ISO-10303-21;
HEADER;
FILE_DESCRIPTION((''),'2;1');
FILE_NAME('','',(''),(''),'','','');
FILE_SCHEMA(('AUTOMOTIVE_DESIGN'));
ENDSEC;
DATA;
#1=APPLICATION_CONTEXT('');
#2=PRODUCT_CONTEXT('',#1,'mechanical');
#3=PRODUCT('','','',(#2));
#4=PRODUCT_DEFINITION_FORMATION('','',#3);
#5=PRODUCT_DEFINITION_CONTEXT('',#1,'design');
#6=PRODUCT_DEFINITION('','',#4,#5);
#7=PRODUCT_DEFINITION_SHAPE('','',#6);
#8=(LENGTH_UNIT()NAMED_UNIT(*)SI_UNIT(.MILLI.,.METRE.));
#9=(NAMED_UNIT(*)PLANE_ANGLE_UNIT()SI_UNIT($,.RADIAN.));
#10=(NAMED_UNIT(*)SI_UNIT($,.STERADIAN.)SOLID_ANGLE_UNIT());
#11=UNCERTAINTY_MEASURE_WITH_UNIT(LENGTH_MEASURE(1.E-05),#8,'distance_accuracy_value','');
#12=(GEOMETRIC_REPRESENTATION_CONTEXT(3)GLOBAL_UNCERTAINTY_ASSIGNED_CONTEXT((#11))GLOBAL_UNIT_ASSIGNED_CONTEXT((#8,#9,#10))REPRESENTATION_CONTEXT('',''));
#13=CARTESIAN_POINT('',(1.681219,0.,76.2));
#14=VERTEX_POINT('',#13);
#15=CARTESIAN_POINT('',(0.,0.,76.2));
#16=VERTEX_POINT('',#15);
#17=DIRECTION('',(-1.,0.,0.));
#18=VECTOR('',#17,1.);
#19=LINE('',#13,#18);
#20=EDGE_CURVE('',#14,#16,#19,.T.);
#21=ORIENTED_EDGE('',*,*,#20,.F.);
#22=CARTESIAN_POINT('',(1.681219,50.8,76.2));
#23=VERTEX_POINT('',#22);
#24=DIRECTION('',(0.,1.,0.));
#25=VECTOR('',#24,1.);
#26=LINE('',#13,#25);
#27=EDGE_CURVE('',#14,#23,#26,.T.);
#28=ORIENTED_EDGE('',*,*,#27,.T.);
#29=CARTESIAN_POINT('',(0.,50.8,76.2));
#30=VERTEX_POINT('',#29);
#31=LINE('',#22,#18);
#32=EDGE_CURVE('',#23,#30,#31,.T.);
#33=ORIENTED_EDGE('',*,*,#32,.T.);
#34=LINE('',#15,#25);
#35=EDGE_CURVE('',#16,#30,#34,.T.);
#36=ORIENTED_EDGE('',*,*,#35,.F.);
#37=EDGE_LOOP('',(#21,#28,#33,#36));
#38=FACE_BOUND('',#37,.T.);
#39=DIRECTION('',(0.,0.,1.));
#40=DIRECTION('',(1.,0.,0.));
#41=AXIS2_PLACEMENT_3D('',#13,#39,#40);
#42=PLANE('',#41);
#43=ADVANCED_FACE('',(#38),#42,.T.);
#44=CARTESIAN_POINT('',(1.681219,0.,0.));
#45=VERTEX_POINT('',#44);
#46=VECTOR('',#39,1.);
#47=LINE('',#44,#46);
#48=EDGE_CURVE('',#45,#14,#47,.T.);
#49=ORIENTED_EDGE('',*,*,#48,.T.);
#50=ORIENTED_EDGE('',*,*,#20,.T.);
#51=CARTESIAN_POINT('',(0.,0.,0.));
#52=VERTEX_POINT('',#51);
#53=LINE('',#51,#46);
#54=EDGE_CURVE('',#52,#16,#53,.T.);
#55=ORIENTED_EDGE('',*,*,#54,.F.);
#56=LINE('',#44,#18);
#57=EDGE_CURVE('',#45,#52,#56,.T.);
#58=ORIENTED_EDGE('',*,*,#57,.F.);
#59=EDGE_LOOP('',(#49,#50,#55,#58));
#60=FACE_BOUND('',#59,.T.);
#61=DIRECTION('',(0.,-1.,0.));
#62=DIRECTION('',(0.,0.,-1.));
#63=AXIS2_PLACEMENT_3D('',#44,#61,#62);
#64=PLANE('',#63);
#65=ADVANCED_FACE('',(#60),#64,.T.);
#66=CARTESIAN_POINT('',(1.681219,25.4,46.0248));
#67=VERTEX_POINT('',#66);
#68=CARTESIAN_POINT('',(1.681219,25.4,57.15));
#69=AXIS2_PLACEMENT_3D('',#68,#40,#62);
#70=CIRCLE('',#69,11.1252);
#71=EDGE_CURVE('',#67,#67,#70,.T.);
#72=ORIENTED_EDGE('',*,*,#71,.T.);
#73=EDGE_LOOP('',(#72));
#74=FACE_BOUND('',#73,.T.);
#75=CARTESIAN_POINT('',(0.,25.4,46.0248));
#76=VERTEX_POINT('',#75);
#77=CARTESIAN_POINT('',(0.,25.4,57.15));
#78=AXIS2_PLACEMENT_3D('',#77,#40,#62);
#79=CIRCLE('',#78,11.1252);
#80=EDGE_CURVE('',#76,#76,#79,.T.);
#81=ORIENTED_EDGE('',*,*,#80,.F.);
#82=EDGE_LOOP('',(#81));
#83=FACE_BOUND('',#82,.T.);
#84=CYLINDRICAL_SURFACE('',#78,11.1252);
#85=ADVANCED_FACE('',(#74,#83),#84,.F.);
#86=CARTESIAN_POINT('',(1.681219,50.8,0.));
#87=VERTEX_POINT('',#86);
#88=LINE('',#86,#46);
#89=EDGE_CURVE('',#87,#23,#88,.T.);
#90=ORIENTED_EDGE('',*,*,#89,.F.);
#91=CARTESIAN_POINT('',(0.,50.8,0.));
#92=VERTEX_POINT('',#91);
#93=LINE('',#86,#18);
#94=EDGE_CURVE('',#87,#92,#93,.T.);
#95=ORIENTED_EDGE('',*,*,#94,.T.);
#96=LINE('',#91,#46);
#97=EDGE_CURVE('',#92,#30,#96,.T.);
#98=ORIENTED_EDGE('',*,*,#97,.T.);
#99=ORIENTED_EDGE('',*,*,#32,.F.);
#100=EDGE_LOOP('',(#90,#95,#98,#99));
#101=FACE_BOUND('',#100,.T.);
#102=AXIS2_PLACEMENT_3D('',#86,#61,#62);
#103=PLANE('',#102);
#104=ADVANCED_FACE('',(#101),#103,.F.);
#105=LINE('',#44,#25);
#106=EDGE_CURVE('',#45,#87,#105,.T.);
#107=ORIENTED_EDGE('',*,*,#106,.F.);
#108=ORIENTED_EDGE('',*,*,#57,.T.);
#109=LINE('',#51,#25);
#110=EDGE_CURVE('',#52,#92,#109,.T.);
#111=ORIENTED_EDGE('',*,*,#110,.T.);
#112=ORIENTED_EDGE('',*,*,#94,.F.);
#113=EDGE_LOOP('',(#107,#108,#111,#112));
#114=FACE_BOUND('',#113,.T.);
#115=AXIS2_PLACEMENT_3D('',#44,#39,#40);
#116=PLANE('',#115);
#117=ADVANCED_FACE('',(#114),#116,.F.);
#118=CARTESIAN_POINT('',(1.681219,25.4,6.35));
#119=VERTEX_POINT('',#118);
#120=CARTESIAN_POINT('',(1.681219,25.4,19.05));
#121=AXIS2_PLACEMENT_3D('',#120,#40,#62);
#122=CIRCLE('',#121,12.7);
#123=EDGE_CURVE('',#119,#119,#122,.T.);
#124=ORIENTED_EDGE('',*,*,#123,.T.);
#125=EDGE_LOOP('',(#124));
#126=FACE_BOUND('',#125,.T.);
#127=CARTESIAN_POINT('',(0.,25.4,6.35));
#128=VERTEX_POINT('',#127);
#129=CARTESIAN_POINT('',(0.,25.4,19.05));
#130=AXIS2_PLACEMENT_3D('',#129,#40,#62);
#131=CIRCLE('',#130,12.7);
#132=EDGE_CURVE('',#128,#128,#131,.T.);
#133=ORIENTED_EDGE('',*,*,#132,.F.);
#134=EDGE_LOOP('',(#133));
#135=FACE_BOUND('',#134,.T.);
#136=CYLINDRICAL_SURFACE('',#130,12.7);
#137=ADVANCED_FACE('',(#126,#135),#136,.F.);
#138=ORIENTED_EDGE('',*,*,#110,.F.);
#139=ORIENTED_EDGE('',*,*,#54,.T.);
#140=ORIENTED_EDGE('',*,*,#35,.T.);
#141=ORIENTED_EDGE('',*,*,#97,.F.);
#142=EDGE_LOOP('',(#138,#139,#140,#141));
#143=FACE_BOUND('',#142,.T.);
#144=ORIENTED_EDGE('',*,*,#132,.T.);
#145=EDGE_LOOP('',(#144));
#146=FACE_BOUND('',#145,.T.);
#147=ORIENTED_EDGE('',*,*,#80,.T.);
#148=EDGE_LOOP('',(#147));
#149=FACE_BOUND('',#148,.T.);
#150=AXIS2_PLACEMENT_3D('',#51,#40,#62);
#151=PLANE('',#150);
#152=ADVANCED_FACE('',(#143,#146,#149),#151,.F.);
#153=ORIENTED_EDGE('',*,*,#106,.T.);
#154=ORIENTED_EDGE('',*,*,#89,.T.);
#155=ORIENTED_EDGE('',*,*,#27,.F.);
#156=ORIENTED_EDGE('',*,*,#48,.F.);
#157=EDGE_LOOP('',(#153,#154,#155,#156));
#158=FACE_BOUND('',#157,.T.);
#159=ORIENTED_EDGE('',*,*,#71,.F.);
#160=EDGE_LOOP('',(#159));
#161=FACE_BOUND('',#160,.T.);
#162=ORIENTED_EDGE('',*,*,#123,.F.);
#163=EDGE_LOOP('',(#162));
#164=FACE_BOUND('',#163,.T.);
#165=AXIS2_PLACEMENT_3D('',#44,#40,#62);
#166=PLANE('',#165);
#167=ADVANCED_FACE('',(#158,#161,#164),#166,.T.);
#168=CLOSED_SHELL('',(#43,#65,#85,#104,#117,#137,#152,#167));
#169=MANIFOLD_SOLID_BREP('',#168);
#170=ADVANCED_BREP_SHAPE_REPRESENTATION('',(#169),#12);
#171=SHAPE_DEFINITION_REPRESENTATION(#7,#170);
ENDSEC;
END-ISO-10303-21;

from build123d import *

# Parameters (mm, degrees)
SKETCH1_W           = 50.8
SKETCH1_H           = 76.2
BOSS_EXTRUDE1_DEPTH = 1.681219215
SKETCH3_R           = 11.1252
SKETCH3_R_2         = 12.7
CUT_EXTRUDE1_DEPTH  = 92.59643278


with BuildPart() as part:
    # Sketch1 → Boss-Extrude1 (new body)
    with BuildSketch(Plane.YZ):
        with Locations((25.4, 38.1)):
            Rectangle(SKETCH1_W, SKETCH1_H)
    extrude(amount=BOSS_EXTRUDE1_DEPTH)

    # Sketch3 → Cut-Extrude1 (cut, through all)
    with BuildSketch(Plane.YZ.offset(1.681219215)):
        with Locations(Location((25.4, 57.15, 0), (0, 0, 270))):
            Circle(SKETCH3_R)
        with Locations(Location((25.4, 19.05, 0), (0, 0, 270))):
            Circle(SKETCH3_R_2)
    extrude(amount=-CUT_EXTRUDE1_DEPTH, mode=Mode.SUBTRACT)


solid = part.part
